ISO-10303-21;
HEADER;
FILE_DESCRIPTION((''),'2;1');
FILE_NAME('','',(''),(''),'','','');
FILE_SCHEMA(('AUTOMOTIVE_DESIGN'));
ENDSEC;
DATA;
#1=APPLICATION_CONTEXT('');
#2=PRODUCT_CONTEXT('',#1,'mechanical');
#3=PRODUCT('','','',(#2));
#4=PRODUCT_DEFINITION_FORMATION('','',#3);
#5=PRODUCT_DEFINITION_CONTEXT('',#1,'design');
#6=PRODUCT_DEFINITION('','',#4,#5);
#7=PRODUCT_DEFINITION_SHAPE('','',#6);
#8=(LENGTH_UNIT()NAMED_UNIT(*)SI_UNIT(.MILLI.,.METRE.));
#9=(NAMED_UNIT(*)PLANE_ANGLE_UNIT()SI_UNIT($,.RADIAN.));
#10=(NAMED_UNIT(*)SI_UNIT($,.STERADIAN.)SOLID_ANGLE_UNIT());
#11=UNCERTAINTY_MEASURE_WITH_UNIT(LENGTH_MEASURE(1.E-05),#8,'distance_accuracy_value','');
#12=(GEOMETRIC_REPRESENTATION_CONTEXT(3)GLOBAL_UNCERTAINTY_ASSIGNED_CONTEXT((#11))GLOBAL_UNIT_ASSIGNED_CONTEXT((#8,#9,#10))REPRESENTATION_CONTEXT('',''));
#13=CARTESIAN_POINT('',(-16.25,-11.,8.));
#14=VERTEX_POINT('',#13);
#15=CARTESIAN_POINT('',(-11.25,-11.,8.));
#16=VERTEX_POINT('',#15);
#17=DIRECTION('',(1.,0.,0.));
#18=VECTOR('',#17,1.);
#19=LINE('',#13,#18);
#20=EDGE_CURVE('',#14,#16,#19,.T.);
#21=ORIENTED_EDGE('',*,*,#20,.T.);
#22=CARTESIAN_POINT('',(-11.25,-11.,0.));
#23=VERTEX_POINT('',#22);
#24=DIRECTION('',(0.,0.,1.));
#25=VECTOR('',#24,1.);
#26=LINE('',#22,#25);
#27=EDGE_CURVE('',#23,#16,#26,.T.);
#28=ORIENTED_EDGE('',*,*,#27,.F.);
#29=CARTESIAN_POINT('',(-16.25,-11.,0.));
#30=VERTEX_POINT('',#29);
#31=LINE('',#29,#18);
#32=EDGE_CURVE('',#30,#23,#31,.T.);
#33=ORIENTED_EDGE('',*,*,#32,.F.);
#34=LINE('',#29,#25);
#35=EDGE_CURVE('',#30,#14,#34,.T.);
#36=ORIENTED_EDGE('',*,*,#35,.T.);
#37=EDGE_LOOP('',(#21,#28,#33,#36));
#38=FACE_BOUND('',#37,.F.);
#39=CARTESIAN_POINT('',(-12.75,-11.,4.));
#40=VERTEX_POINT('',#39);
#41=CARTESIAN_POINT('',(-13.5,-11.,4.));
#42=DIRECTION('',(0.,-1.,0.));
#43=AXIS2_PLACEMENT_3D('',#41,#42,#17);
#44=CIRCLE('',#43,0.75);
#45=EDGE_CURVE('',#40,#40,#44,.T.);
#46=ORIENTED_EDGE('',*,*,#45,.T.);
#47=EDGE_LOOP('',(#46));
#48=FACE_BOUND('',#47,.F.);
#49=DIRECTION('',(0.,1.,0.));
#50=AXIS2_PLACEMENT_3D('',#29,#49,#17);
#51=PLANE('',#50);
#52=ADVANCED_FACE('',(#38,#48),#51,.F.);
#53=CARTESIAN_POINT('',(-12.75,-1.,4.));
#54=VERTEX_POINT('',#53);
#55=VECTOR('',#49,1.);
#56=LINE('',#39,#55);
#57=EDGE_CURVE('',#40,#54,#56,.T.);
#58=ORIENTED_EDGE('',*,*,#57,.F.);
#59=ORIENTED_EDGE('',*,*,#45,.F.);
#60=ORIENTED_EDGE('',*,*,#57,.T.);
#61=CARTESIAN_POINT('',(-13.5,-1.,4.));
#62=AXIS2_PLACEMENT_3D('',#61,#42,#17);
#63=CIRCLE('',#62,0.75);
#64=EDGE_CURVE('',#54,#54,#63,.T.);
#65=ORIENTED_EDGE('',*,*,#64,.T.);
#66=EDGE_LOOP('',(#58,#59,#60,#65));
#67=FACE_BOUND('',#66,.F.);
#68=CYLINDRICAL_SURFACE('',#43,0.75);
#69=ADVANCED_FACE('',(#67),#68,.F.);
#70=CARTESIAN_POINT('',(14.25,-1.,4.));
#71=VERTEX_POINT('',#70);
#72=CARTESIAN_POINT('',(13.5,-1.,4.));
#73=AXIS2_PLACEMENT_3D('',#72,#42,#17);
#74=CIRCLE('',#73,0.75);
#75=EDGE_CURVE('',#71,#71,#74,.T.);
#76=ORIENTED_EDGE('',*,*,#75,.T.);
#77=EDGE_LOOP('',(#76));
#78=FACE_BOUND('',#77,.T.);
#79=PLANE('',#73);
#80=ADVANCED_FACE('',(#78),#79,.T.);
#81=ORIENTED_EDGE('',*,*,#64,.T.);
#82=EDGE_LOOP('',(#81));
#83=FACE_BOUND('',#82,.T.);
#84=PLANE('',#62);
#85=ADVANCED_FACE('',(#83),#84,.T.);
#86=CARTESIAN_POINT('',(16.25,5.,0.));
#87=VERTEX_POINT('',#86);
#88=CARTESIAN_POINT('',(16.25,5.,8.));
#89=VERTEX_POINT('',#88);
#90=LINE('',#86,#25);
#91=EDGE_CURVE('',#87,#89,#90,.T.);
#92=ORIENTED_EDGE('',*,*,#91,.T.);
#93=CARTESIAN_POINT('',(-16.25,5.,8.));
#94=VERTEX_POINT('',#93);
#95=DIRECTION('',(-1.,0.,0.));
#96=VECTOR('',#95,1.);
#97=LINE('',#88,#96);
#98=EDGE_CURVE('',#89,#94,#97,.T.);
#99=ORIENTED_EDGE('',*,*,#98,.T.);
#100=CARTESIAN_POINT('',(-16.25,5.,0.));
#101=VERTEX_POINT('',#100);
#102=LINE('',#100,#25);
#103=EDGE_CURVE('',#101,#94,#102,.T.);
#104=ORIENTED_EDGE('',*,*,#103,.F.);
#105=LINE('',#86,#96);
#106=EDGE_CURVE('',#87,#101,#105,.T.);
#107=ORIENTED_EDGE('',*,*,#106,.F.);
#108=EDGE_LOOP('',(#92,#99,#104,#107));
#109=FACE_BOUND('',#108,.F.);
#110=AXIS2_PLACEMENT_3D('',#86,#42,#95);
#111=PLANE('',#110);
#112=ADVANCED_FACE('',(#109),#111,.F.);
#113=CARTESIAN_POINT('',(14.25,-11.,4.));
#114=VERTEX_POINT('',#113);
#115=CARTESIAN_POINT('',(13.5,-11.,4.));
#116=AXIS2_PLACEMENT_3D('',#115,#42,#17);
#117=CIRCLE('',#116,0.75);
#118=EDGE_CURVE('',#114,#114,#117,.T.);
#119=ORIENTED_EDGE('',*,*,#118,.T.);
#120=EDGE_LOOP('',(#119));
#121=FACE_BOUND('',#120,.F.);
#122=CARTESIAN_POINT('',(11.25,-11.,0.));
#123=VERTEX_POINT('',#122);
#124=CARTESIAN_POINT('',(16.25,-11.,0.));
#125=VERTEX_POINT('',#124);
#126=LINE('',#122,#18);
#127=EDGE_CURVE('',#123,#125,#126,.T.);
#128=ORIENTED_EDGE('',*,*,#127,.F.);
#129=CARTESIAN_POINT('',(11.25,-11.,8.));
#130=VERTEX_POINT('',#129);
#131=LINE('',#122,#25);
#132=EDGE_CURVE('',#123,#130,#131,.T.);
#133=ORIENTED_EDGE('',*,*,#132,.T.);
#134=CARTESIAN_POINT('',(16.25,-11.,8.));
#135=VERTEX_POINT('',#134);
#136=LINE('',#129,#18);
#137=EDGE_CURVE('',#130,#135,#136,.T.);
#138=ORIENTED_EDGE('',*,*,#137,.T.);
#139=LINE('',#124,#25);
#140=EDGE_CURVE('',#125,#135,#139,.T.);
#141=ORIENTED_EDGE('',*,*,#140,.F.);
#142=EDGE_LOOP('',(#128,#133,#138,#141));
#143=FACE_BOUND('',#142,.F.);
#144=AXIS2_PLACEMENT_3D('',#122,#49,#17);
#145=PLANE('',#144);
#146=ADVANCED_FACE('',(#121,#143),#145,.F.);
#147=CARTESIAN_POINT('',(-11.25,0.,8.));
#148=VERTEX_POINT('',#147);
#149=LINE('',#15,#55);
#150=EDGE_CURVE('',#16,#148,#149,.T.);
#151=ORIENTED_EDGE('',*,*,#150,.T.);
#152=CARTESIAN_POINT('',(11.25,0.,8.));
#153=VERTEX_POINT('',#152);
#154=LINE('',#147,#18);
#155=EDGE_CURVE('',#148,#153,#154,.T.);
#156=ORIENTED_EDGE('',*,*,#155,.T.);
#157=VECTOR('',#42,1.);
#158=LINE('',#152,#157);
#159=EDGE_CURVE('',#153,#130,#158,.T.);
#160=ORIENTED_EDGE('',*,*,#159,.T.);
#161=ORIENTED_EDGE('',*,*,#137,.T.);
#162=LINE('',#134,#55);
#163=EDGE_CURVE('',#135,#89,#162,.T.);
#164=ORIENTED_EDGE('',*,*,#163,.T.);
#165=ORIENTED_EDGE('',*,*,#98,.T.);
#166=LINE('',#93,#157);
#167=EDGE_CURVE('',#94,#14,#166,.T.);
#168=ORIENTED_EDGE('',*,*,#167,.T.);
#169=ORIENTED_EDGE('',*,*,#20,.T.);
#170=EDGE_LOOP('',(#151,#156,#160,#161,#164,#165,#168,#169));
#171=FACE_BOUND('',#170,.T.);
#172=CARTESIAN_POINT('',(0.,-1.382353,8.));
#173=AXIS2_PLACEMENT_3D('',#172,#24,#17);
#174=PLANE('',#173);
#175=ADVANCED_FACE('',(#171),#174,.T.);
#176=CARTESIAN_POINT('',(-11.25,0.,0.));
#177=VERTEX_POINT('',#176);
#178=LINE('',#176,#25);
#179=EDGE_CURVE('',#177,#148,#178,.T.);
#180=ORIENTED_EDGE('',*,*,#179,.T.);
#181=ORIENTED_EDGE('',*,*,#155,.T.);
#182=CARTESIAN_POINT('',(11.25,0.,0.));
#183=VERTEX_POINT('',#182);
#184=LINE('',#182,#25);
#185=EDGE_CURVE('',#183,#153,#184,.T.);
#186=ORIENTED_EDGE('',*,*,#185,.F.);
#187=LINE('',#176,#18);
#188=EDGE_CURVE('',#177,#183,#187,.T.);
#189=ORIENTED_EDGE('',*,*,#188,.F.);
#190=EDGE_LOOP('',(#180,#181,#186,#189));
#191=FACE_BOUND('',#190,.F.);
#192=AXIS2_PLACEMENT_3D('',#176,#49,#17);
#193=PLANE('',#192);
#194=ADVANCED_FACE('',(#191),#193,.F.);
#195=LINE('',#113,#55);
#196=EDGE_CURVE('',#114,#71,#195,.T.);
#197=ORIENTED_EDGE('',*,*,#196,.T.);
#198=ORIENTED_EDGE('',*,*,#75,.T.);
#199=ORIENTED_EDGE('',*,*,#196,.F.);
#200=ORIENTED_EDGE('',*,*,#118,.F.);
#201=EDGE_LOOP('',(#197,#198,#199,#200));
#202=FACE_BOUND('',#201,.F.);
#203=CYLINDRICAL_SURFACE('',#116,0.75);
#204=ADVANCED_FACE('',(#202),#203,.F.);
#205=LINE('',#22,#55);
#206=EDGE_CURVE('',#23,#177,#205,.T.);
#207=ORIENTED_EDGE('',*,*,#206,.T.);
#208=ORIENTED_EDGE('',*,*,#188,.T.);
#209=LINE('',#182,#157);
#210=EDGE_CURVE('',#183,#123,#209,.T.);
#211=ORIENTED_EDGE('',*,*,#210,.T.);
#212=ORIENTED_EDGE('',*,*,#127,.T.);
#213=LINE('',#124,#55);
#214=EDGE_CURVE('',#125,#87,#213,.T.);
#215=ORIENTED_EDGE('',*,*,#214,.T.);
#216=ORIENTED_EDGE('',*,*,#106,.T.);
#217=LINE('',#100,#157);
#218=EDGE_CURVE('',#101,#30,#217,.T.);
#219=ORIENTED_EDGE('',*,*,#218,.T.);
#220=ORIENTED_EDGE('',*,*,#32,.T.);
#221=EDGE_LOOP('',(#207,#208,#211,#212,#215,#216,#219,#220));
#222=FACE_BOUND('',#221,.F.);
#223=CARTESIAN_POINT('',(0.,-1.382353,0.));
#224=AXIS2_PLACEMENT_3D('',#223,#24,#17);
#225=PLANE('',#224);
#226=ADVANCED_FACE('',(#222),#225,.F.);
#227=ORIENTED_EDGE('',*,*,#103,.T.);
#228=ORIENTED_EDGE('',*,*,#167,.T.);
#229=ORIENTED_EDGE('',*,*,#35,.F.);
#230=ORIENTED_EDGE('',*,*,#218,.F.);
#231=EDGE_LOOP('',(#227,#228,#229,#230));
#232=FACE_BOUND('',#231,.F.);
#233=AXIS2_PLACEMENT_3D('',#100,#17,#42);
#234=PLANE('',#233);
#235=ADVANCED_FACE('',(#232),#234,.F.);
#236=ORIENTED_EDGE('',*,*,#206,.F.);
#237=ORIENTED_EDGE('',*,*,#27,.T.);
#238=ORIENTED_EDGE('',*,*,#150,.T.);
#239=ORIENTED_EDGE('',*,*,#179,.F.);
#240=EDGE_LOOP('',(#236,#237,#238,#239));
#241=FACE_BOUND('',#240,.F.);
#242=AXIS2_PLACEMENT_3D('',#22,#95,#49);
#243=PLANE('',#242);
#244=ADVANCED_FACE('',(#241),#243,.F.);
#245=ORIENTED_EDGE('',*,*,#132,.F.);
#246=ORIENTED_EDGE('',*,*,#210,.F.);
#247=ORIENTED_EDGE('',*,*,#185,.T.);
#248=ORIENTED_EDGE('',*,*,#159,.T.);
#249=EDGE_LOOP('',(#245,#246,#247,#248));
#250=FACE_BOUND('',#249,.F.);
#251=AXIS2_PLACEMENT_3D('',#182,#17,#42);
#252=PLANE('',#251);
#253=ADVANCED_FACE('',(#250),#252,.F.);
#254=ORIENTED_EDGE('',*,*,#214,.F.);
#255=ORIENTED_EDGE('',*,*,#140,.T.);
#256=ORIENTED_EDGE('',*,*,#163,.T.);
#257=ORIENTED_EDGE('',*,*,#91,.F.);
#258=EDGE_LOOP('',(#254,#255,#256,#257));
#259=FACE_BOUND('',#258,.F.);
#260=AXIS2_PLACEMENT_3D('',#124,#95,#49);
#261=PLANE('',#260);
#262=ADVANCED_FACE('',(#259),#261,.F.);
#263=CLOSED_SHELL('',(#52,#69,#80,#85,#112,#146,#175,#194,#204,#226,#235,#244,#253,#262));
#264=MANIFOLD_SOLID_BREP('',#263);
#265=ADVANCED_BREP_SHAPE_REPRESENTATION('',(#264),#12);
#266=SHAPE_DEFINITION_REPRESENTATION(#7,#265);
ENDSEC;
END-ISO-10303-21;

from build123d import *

# Parameters (mm, degrees)
PAD_DEPTH    = 8
SKETCH001_R  = 0.75
POCKET_DEPTH = 10


with BuildPart() as part:
    # Sketch → Pad (new body)
    with BuildSketch(Plane.XY):
        Polygon((11.25, 0), (11.25, -11), (16.25, -11), (16.25, 5), (-16.25, 5), (-16.25, -11), (-11.25, -11), (-11.25, 0), align=None)
    extrude(amount=PAD_DEPTH)

    # Sketch001 (on Face6 of Pad) → Pocket (cut)
    with BuildSketch(Plane.XZ.offset(11)):
        with Locations((-13.5, 4)):
            Circle(SKETCH001_R)
        with Locations((13.5, 4)):
            Circle(SKETCH001_R)
    extrude(amount=-POCKET_DEPTH, mode=Mode.SUBTRACT)


solid = part.part
